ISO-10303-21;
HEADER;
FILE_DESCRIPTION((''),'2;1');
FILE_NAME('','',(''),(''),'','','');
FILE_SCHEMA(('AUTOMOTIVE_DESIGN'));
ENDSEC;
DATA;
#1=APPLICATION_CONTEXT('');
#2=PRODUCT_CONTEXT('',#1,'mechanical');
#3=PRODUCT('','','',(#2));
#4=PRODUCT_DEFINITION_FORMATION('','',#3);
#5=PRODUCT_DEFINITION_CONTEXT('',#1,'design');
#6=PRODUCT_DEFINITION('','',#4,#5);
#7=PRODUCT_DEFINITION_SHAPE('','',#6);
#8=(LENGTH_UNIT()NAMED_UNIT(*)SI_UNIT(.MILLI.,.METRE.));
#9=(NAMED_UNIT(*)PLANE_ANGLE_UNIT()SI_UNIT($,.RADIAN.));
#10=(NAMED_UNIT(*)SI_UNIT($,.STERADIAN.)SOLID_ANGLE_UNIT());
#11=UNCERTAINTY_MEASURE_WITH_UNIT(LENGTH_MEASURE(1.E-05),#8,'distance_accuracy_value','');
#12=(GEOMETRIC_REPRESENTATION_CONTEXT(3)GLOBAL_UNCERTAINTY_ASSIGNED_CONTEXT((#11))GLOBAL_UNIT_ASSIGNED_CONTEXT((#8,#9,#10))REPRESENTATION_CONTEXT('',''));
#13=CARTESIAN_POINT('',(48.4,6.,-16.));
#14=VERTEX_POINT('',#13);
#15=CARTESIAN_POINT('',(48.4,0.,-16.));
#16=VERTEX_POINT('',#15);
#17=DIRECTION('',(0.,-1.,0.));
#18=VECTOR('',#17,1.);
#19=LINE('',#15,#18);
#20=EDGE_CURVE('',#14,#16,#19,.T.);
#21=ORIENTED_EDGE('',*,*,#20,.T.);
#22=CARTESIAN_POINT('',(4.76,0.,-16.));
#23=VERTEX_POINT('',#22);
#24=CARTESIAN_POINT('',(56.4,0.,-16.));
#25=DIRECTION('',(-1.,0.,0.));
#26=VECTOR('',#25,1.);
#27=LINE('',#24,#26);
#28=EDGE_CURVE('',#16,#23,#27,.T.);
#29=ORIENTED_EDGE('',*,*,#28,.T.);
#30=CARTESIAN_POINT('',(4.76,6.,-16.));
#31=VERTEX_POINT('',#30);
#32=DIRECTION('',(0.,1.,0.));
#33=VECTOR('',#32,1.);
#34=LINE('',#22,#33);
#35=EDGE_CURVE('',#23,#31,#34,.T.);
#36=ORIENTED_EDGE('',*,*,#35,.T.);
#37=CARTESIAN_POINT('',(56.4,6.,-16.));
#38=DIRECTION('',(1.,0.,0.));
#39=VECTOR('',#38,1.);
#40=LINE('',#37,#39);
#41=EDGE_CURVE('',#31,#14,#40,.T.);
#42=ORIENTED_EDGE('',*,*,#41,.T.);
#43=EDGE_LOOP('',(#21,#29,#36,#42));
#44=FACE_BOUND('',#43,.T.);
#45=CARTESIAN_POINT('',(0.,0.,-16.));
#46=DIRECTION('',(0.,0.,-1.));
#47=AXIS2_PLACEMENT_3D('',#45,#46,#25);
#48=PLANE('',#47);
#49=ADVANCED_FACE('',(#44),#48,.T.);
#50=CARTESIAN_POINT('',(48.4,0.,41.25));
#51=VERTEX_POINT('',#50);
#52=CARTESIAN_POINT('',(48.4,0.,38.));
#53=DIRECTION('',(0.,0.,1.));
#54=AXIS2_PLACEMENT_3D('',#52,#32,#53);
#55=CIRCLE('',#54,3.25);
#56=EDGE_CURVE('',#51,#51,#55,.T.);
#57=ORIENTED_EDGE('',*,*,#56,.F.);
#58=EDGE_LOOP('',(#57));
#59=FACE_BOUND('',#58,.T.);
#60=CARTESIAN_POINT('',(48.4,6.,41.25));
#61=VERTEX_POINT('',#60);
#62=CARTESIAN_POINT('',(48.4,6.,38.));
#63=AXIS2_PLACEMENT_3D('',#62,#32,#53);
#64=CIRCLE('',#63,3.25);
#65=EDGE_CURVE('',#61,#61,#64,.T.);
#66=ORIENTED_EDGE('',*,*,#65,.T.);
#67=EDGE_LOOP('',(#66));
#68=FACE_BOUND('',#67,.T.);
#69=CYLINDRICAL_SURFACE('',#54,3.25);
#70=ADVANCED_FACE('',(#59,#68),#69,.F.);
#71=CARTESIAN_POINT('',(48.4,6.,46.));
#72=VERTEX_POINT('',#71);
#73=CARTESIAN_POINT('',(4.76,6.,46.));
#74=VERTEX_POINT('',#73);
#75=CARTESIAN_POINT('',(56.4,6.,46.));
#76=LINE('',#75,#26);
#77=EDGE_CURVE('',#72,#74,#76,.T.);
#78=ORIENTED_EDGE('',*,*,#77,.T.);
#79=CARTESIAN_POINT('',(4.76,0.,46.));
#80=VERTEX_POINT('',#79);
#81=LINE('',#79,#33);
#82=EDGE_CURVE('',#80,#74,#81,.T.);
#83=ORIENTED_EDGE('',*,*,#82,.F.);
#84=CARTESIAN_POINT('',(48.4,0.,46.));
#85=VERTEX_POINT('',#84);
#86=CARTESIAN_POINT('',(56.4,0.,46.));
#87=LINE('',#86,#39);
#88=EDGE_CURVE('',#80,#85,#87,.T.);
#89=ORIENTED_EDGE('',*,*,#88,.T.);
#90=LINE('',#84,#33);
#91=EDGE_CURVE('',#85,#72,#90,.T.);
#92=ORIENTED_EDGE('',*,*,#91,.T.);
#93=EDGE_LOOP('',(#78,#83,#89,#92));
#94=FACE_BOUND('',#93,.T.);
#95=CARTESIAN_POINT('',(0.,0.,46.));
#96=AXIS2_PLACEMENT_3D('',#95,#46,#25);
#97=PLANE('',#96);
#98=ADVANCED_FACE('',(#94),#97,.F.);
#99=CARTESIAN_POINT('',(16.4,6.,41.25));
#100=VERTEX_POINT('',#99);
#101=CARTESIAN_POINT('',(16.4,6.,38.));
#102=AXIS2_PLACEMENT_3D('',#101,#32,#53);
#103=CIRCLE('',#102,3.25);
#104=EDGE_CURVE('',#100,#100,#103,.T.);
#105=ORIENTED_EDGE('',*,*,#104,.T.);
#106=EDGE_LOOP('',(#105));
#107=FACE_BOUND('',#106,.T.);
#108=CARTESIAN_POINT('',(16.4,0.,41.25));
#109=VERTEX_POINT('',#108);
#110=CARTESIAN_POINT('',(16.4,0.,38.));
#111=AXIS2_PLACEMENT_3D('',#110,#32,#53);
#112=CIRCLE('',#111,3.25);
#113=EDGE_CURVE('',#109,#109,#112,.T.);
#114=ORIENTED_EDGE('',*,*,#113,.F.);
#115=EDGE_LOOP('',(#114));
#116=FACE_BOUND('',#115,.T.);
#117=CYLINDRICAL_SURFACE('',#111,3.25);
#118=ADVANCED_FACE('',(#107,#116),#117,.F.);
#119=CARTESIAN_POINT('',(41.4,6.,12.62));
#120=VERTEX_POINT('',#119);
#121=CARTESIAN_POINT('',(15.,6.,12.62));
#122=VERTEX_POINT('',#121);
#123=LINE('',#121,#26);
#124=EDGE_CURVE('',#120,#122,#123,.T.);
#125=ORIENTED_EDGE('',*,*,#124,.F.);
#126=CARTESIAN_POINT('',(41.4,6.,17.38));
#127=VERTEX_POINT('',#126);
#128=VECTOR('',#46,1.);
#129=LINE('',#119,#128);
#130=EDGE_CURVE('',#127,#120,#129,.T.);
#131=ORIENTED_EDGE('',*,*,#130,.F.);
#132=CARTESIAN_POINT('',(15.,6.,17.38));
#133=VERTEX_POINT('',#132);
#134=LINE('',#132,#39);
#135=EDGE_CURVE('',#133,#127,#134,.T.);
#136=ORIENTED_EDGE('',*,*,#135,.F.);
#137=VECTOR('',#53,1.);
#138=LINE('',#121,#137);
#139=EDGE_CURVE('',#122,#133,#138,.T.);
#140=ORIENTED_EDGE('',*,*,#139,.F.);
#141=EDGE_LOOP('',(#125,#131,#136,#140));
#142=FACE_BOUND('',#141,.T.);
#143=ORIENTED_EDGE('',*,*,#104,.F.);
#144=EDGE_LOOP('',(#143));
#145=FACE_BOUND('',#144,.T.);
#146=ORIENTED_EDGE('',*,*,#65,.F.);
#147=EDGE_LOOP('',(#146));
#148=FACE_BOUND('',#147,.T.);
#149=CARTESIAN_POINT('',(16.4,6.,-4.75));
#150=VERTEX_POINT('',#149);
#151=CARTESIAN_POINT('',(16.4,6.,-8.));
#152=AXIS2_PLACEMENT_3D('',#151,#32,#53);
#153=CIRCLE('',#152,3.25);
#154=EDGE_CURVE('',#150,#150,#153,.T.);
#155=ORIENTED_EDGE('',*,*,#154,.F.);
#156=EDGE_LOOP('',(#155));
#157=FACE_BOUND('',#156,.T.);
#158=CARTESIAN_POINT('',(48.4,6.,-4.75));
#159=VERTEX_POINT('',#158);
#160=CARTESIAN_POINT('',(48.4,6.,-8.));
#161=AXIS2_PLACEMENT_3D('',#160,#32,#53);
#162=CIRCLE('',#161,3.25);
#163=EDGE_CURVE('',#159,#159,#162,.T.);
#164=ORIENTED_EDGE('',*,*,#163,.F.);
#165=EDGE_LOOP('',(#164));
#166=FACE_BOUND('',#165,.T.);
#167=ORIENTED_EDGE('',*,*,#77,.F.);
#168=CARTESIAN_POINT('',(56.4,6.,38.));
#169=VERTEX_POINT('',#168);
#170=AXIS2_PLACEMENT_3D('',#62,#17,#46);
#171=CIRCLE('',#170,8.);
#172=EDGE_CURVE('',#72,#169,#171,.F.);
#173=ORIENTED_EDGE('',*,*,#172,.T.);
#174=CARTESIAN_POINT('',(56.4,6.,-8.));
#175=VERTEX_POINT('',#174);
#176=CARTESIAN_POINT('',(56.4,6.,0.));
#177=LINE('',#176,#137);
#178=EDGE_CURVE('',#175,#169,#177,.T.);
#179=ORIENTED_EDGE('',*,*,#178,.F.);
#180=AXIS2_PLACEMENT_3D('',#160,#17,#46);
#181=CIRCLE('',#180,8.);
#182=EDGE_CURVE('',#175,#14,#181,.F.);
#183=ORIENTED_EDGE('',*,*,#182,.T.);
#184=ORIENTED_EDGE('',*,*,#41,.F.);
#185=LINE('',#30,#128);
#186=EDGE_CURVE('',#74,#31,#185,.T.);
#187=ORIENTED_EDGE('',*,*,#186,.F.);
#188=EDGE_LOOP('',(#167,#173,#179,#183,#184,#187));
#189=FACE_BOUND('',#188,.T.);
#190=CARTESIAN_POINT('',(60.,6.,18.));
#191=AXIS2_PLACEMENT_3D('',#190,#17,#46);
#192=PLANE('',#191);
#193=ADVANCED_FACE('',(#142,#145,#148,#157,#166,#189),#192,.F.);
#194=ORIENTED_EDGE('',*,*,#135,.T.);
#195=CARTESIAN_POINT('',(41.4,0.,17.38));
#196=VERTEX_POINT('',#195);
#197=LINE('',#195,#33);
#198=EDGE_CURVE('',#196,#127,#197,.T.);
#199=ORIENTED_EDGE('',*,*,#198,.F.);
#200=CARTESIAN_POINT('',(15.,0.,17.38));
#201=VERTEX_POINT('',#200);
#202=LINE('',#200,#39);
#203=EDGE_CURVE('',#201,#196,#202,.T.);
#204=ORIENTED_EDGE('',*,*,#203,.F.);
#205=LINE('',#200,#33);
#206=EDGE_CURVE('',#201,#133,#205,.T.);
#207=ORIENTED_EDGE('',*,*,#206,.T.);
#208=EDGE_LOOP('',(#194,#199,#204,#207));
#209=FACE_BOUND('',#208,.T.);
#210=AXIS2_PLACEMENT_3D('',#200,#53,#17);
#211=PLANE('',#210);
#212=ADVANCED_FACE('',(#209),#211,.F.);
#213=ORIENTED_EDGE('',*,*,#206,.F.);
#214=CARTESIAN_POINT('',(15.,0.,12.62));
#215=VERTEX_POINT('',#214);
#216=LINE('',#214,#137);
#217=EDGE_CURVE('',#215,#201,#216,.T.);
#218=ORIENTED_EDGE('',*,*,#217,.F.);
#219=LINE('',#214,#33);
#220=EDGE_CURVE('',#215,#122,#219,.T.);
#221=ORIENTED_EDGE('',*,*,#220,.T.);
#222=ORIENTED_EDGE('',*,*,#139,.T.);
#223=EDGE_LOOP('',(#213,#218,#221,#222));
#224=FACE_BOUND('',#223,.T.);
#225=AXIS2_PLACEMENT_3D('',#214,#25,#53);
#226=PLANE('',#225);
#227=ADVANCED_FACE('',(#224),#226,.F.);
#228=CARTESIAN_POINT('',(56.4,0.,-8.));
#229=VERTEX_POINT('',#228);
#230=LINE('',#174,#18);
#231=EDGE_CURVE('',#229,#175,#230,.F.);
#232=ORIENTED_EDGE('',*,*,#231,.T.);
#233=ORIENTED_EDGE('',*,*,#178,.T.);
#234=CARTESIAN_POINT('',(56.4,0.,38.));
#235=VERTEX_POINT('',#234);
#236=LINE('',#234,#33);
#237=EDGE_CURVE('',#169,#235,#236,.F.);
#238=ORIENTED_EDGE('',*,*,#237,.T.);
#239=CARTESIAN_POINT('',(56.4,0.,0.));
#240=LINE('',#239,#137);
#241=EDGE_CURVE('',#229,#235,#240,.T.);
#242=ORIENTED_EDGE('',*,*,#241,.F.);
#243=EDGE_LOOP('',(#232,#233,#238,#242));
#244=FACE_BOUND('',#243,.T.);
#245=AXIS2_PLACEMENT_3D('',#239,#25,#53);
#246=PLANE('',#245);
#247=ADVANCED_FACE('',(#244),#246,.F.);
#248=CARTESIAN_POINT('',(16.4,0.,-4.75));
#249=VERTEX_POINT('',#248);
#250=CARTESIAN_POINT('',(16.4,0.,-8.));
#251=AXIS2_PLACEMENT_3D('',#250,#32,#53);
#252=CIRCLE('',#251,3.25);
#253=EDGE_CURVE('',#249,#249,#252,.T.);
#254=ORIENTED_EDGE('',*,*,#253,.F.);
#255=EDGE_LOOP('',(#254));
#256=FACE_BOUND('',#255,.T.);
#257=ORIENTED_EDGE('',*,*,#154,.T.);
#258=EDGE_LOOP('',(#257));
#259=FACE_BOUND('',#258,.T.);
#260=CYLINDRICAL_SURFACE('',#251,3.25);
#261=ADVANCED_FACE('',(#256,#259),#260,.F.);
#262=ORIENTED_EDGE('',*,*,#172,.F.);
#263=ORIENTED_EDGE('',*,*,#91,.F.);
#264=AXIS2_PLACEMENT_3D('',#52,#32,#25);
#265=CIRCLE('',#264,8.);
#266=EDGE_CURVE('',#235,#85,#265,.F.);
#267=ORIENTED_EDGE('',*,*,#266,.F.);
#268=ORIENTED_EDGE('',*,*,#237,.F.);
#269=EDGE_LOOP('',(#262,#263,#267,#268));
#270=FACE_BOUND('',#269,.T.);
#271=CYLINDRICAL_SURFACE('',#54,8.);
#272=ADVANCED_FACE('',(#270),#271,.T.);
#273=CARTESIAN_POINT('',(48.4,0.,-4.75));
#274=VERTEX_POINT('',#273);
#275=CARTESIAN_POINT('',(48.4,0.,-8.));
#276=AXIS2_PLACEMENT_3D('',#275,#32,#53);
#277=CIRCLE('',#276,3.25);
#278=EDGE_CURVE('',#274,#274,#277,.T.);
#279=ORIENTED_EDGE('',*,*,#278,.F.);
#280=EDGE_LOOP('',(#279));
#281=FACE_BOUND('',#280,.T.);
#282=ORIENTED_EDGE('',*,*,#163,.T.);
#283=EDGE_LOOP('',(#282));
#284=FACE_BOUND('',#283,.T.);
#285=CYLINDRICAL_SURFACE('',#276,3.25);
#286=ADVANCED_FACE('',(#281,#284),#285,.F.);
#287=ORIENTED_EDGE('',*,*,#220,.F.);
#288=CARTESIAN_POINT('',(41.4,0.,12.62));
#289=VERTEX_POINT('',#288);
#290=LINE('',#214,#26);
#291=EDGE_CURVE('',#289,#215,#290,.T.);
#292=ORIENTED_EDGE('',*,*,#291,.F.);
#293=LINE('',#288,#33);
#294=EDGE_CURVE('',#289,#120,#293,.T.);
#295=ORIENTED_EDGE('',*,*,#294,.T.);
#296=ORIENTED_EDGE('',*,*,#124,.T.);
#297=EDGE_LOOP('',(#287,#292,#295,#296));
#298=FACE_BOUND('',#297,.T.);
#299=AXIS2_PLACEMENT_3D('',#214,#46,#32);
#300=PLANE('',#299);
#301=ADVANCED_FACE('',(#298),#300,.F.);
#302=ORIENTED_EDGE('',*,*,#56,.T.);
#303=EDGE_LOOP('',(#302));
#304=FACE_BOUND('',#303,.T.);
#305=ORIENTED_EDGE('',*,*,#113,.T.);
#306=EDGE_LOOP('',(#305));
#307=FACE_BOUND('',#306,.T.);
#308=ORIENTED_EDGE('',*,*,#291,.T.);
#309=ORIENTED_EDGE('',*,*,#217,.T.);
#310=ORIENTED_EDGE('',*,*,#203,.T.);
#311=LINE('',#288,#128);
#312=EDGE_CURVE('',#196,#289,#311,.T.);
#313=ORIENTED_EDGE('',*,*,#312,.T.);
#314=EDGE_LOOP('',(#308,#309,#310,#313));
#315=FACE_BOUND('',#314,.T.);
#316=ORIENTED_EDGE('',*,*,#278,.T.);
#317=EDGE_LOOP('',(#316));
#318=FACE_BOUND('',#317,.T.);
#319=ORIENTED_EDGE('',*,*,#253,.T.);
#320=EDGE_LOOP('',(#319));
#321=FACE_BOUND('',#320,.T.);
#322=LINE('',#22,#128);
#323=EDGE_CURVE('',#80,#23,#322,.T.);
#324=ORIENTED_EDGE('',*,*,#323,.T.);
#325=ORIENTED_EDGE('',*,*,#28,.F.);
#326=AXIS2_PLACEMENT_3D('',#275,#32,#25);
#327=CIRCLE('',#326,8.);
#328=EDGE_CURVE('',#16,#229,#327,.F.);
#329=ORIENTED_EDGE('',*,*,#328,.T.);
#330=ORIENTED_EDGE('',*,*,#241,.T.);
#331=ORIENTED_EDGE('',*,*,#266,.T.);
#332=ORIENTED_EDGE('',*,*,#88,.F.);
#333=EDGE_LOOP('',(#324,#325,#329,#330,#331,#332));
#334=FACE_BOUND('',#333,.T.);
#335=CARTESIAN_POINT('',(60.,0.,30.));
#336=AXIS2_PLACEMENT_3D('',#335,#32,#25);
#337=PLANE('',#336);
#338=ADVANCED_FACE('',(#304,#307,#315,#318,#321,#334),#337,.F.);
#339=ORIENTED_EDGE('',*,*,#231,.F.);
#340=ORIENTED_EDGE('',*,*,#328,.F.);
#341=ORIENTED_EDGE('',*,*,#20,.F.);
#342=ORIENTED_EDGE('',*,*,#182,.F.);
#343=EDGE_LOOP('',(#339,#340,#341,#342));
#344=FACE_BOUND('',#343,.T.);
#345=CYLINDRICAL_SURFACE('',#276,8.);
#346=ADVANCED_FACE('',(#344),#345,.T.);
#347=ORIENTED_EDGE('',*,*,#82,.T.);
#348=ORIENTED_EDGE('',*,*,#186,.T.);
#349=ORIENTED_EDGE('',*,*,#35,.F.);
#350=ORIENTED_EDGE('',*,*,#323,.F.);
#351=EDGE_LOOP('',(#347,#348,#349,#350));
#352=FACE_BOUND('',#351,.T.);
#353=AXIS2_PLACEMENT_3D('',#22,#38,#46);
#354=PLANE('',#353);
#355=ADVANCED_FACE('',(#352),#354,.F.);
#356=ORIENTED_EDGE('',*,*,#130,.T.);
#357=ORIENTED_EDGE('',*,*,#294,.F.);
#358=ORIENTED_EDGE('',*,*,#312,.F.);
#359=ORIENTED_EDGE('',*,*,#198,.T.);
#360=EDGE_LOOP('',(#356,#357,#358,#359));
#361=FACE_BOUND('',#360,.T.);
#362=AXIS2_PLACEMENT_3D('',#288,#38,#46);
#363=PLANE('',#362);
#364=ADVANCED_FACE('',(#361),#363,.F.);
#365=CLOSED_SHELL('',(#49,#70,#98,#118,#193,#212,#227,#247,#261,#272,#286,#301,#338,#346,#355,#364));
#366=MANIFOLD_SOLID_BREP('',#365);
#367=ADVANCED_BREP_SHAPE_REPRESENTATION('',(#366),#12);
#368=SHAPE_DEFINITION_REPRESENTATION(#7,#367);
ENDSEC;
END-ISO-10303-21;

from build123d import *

# Parameters (mm, degrees)
RESSALTO_EXTRUS_O1_DEPTH = 30
ESBO_O2_W                = 12
ESBO_O2_H                = 94
CORTE_EXTRUS_O1_DEPTH    = 118.541482039
ESBO_O3_W                = 30
ESBO_O3_H                = 10
CORTE_EXTRUS_O2_DEPTH    = 118.541482039
ESBO_O4_W                = 3.6
ESBO_O4_H                = 30
CORTE_EXTRUS_O3_DEPTH    = 108.498837203
ESBO_O5_W                = 56.4
ESBO_O5_H                = 6
RESSALTO_EXTRUS_O2_DEPTH = 16
ESBO_O6_W                = 56.4
ESBO_O6_H                = 6
RESSALTO_EXTRUS_O3_DEPTH = 16
FILETE1_R                = 8
FILETE2_R                = 8
FILETE3_R                = 8
FILETE4_R                = 4
ESBO_O7_R                = 3.175
CORTE_EXTRUS_O4_DEPTH    = 113.943171551
ESBO_O8_R                = 3.25
CORTE_EXTRUS_O5_DEPTH    = 112.143870726
ESBO_O9_W                = 56.4
ESBO_O9_H                = 62
CORTE_EXTRUS_O6_DEPTH    = 112.143870726
ESBO_O10_W               = 26.4
ESBO_O10_H               = 4.76
CORTE_EXTRUS_O7_DEPTH    = 74.027118251
ESBO_O11_W               = 4.76
ESBO_O11_H               = 62
CORTE_EXTRUS_O8_DEPTH    = 74.027118251


with BuildPart() as part:
    # Esboço1 → Ressalto-extrusão1 (new body)
    with BuildSketch(Plane.XY):
        Polygon((0, 0), (0, 100), (60, 0), align=None)
    extrude(amount=RESSALTO_EXTRUS_O1_DEPTH)

    # Esboço2 → Corte-extrusão1 (cut, through all)
    with BuildSketch(Plane.ZY.offset(-6)):
        with Locations((24, 53)):
            Rectangle(ESBO_O2_W, ESBO_O2_H)
        with Locations((6, 53)):
            Rectangle(ESBO_O2_W, ESBO_O2_H)
    extrude(amount=-CORTE_EXTRUS_O1_DEPTH, mode=Mode.SUBTRACT)

    # Esboço3 → Corte-extrusão2 (cut, through all)
    with BuildSketch(Plane(origin=(6, 0, 0), x_dir=(0, 0, -1), z_dir=(1, 0, 0))):
        with Locations((-15, 95)):
            Rectangle(ESBO_O3_W, ESBO_O3_H)
    extrude(amount=-CORTE_EXTRUS_O2_DEPTH, mode=Mode.SUBTRACT)

    # Esboço4 → Corte-extrusão3 (cut, through all)
    with BuildSketch(Plane(origin=(0, 6, 0), x_dir=(1, 0, 0), z_dir=(0, 1, 0))):
        with Locations((58.2, -15)):
            Rectangle(ESBO_O4_W, ESBO_O4_H)
    extrude(amount=-CORTE_EXTRUS_O3_DEPTH, mode=Mode.SUBTRACT)

    # Esboço5 → Ressalto-extrusão2 (add)
    with BuildSketch(Plane.XY.offset(30)):
        with Locations((28.2, 3)):
            Rectangle(ESBO_O5_W, ESBO_O5_H)
    extrude(amount=RESSALTO_EXTRUS_O2_DEPTH)

    # Esboço6 → Ressalto-extrusão3 (add)
    with BuildSketch(Plane(origin=(0, 0, 0), x_dir=(-1, 0, 0), z_dir=(0, 0, -1))):
        with Locations((-28.2, 3)):
            Rectangle(ESBO_O6_W, ESBO_O6_H)
    extrude(amount=RESSALTO_EXTRUS_O3_DEPTH)

    # Filete1
    filete1_edges = [part.edges().sort_by_distance(p)[0] for p in [
        (3, 6, 0),
        (3, 6, 30),
    ]]
    fillet(filete1_edges, radius=FILETE1_R)

    # Filete2
    filete2_edges = [part.edges().sort_by_distance(p)[0] for p in [
        (56.4, 3, -16),
        (56.4, 3, 46),
    ]]
    fillet(filete2_edges, radius=FILETE2_R)

    # Filete3
    filete3_edges = [part.edges().sort_by_distance(p)[0] for p in [
        (3, 90, 30),
        (3, 90, 0),
    ]]
    fillet(filete3_edges, radius=FILETE3_R)

    # Filete4
    filete4_edges = [part.edges().sort_by_distance(p)[0] for p in [
        (31.2, 6, 18),
        (31.2, 6, 12),
    ]]
    fillet(filete4_edges, radius=FILETE4_R)

    # Esboço7 → Corte-extrusão4 (cut, through all)
    with BuildSketch(Plane(origin=(6, 0, 0), x_dir=(0, 0, -1), z_dir=(1, 0, 0))):
        with Locations((-23, 78)):
            Circle(ESBO_O7_R)
        with Locations((-23, 48)):
            Circle(ESBO_O7_R)
        with Locations((-23, 18)):
            Circle(ESBO_O7_R)
        with Locations(Location((-7, 18, 0), (0, 0, 180))):
            Circle(ESBO_O7_R)
        with Locations(Location((-7, 48, 0), (0, 0, 180))):
            Circle(ESBO_O7_R)
        with Locations(Location((-7, 78, 0), (0, 0, 180))):
            Circle(ESBO_O7_R)
    extrude(amount=-CORTE_EXTRUS_O4_DEPTH, mode=Mode.SUBTRACT)

    # Esboço8 → Corte-extrusão5 (cut, through all)
    with BuildSketch(Plane(origin=(0, 6, 0), x_dir=(1, 0, 0), z_dir=(0, 1, 0))):
        with Locations(Location((48.4, 8, 0), (0, 0, 270))):
            Circle(ESBO_O8_R)
        with Locations(Location((48.4, -38, 0), (0, 0, 270))):
            Circle(ESBO_O8_R)
        with Locations(Location((16.4, -38, 0), (0, 0, 270))):
            Circle(ESBO_O8_R)
        with Locations(Location((16.4, 8, 0), (0, 0, 270))):
            Circle(ESBO_O8_R)
    extrude(amount=-CORTE_EXTRUS_O5_DEPTH, mode=Mode.SUBTRACT)

    # Esboço9 → Corte-extrusão6 (cut, through all)
    with BuildSketch(Plane(origin=(0, 6, 0), x_dir=(1, 0, 0), z_dir=(0, 1, 0))):
        with Locations((28.2, -15)):
            Rectangle(ESBO_O9_W, ESBO_O9_H)
    extrude(amount=CORTE_EXTRUS_O6_DEPTH, mode=Mode.SUBTRACT)

    # Esboço10 → Corte-extrusão7 (cut, through all)
    with BuildSketch(Plane(origin=(0, 6, 0), x_dir=(1, 0, 0), z_dir=(0, 1, 0))):
        with Locations((28.2, -15)):
            Rectangle(ESBO_O10_W, ESBO_O10_H)
    extrude(amount=-CORTE_EXTRUS_O7_DEPTH, mode=Mode.SUBTRACT)

    # Esboço11 → Corte-extrusão8 (cut, through all)
    with BuildSketch(Plane(origin=(0, 6, 0), x_dir=(1, 0, 0), z_dir=(0, 1, 0))):
        with Locations((2.38, -15)):
            Rectangle(ESBO_O11_W, ESBO_O11_H)
    extrude(amount=-CORTE_EXTRUS_O8_DEPTH, mode=Mode.SUBTRACT)


solid = part.part
